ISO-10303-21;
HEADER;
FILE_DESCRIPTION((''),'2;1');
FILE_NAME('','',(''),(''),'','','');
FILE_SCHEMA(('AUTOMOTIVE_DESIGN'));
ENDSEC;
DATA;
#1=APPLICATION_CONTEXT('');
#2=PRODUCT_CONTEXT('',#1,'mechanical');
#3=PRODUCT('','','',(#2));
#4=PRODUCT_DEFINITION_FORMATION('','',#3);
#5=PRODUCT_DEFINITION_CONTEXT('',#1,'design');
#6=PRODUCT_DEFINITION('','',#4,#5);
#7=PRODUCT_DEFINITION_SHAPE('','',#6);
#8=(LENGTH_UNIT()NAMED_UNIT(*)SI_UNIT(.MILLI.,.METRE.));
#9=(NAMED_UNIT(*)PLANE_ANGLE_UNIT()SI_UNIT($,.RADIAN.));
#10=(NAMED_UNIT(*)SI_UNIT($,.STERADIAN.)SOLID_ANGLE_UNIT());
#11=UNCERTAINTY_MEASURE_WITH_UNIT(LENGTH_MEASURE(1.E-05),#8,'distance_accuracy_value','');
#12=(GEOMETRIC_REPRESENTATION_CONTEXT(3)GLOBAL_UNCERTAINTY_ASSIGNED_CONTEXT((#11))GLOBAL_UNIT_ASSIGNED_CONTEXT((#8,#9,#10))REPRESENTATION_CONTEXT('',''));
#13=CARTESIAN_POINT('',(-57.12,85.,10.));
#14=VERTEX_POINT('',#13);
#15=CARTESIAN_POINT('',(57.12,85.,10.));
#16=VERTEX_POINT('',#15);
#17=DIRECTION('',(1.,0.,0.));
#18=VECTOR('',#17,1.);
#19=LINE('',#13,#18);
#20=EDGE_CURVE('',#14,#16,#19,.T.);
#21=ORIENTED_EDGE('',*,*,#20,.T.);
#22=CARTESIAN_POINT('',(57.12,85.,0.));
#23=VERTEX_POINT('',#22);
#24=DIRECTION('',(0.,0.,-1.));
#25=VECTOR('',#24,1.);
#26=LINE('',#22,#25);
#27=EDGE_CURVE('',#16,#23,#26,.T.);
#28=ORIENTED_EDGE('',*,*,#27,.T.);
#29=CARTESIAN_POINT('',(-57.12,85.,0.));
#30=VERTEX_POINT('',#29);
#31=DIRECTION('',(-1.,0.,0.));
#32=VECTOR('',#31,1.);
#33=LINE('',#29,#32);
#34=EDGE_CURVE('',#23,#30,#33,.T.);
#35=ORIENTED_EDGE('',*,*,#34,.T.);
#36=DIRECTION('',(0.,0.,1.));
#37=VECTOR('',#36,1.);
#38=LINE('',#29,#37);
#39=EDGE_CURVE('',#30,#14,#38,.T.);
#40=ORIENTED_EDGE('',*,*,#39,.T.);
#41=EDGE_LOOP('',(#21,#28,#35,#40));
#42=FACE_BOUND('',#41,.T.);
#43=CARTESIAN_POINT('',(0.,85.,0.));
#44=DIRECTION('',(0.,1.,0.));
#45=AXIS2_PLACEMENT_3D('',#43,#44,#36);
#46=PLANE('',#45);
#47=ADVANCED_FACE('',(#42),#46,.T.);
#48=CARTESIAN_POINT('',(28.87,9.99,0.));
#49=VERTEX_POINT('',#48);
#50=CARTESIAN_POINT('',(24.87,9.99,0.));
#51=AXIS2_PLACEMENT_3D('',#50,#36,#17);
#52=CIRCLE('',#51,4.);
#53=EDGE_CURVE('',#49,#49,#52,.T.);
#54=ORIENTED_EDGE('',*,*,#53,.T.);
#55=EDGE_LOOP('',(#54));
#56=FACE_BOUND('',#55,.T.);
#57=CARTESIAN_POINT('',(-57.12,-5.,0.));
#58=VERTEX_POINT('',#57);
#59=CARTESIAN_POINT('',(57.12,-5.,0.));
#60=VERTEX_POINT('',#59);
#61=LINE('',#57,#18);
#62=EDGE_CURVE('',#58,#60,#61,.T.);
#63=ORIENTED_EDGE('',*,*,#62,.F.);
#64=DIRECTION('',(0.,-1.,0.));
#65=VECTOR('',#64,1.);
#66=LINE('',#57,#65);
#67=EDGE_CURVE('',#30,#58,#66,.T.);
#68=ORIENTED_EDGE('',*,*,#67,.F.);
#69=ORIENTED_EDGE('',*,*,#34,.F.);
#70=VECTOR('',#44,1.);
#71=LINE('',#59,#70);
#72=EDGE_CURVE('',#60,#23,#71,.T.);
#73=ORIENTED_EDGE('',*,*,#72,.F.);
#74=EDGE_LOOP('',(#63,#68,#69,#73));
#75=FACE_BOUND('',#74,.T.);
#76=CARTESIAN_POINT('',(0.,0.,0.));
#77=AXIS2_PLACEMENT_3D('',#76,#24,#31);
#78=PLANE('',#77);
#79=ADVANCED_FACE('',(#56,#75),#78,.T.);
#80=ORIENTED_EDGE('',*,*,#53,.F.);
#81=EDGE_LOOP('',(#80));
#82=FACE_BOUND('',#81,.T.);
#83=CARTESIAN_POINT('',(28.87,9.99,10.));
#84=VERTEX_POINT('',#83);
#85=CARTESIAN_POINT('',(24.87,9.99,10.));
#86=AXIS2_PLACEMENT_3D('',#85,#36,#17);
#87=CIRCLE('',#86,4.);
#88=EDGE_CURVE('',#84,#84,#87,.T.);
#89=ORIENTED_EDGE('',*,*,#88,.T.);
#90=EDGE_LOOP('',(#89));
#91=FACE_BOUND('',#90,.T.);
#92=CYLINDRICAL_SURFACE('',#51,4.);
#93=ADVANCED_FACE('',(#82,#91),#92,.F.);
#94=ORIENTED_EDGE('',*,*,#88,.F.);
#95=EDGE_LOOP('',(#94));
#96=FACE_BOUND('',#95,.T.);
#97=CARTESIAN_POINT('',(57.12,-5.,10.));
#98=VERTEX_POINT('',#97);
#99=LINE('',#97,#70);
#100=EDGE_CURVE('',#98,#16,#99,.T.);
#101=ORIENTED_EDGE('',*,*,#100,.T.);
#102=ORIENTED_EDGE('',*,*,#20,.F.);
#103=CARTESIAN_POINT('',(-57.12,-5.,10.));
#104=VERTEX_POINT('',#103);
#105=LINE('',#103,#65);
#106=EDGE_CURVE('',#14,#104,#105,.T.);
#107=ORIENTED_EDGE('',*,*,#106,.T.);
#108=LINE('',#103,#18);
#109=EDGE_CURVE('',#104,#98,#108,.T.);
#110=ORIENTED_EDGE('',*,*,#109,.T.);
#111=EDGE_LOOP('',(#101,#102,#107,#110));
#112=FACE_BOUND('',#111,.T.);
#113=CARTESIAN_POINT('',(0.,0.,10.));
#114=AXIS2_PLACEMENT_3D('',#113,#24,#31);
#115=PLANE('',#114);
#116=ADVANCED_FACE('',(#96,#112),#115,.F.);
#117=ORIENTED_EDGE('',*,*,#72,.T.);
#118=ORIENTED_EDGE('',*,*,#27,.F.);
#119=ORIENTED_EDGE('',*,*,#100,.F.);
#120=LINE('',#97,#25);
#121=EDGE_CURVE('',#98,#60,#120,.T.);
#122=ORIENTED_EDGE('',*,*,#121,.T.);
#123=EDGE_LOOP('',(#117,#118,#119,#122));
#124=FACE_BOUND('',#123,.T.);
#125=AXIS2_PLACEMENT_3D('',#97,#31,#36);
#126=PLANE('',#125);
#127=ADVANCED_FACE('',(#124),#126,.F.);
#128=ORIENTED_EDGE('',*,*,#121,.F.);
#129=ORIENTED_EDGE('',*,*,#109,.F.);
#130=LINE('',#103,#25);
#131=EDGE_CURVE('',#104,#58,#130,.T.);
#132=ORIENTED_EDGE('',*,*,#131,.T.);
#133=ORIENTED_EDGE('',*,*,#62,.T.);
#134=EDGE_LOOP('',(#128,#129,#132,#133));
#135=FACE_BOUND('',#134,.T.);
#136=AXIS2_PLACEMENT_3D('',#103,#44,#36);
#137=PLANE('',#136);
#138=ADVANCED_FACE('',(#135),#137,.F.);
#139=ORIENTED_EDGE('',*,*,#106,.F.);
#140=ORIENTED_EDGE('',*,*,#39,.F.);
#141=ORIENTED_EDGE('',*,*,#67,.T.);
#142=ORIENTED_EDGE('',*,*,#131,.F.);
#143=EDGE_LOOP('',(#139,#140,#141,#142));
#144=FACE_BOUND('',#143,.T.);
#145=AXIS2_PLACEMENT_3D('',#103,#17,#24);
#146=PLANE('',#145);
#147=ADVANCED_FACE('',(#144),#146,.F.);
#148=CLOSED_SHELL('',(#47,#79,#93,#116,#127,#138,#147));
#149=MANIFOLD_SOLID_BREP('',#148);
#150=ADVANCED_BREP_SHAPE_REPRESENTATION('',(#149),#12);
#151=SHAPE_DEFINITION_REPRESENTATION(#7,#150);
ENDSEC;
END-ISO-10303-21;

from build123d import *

# Parameters (mm, degrees)
SKETCH1_W           = 114.24
SKETCH1_H           = 10
BOSS_EXTRUDE1_DEPTH = 10
SKETCH3_W           = 114.24
SKETCH3_H           = 10
BOSS_EXTRUDE2_DEPTH = 80
SKETCH4_R           = 4
CUT_EXTRUDE1_DEPTH  = 103.896522779


with BuildPart() as part:
    # Sketch1 → Boss-Extrude1 (new body)
    with BuildSketch(Plane.XY):
        Rectangle(SKETCH1_W, SKETCH1_H)
    extrude(amount=BOSS_EXTRUDE1_DEPTH)

    # Sketch3 → Boss-Extrude2 (add)
    with BuildSketch(Plane(origin=(0, 5, 0), x_dir=(1, 0, 0), z_dir=(0, 1, 0))):
        with Locations((0, -5)):
            Rectangle(SKETCH3_W, SKETCH3_H)
    extrude(amount=BOSS_EXTRUDE2_DEPTH)

    # Sketch4 → Cut-Extrude1 (cut, through all)
    with BuildSketch(Plane.XY.offset(10)):
        with Locations((24.87, 9.99)):
            Circle(SKETCH4_R)
    extrude(amount=-CUT_EXTRUDE1_DEPTH, mode=Mode.SUBTRACT)


solid = part.part
